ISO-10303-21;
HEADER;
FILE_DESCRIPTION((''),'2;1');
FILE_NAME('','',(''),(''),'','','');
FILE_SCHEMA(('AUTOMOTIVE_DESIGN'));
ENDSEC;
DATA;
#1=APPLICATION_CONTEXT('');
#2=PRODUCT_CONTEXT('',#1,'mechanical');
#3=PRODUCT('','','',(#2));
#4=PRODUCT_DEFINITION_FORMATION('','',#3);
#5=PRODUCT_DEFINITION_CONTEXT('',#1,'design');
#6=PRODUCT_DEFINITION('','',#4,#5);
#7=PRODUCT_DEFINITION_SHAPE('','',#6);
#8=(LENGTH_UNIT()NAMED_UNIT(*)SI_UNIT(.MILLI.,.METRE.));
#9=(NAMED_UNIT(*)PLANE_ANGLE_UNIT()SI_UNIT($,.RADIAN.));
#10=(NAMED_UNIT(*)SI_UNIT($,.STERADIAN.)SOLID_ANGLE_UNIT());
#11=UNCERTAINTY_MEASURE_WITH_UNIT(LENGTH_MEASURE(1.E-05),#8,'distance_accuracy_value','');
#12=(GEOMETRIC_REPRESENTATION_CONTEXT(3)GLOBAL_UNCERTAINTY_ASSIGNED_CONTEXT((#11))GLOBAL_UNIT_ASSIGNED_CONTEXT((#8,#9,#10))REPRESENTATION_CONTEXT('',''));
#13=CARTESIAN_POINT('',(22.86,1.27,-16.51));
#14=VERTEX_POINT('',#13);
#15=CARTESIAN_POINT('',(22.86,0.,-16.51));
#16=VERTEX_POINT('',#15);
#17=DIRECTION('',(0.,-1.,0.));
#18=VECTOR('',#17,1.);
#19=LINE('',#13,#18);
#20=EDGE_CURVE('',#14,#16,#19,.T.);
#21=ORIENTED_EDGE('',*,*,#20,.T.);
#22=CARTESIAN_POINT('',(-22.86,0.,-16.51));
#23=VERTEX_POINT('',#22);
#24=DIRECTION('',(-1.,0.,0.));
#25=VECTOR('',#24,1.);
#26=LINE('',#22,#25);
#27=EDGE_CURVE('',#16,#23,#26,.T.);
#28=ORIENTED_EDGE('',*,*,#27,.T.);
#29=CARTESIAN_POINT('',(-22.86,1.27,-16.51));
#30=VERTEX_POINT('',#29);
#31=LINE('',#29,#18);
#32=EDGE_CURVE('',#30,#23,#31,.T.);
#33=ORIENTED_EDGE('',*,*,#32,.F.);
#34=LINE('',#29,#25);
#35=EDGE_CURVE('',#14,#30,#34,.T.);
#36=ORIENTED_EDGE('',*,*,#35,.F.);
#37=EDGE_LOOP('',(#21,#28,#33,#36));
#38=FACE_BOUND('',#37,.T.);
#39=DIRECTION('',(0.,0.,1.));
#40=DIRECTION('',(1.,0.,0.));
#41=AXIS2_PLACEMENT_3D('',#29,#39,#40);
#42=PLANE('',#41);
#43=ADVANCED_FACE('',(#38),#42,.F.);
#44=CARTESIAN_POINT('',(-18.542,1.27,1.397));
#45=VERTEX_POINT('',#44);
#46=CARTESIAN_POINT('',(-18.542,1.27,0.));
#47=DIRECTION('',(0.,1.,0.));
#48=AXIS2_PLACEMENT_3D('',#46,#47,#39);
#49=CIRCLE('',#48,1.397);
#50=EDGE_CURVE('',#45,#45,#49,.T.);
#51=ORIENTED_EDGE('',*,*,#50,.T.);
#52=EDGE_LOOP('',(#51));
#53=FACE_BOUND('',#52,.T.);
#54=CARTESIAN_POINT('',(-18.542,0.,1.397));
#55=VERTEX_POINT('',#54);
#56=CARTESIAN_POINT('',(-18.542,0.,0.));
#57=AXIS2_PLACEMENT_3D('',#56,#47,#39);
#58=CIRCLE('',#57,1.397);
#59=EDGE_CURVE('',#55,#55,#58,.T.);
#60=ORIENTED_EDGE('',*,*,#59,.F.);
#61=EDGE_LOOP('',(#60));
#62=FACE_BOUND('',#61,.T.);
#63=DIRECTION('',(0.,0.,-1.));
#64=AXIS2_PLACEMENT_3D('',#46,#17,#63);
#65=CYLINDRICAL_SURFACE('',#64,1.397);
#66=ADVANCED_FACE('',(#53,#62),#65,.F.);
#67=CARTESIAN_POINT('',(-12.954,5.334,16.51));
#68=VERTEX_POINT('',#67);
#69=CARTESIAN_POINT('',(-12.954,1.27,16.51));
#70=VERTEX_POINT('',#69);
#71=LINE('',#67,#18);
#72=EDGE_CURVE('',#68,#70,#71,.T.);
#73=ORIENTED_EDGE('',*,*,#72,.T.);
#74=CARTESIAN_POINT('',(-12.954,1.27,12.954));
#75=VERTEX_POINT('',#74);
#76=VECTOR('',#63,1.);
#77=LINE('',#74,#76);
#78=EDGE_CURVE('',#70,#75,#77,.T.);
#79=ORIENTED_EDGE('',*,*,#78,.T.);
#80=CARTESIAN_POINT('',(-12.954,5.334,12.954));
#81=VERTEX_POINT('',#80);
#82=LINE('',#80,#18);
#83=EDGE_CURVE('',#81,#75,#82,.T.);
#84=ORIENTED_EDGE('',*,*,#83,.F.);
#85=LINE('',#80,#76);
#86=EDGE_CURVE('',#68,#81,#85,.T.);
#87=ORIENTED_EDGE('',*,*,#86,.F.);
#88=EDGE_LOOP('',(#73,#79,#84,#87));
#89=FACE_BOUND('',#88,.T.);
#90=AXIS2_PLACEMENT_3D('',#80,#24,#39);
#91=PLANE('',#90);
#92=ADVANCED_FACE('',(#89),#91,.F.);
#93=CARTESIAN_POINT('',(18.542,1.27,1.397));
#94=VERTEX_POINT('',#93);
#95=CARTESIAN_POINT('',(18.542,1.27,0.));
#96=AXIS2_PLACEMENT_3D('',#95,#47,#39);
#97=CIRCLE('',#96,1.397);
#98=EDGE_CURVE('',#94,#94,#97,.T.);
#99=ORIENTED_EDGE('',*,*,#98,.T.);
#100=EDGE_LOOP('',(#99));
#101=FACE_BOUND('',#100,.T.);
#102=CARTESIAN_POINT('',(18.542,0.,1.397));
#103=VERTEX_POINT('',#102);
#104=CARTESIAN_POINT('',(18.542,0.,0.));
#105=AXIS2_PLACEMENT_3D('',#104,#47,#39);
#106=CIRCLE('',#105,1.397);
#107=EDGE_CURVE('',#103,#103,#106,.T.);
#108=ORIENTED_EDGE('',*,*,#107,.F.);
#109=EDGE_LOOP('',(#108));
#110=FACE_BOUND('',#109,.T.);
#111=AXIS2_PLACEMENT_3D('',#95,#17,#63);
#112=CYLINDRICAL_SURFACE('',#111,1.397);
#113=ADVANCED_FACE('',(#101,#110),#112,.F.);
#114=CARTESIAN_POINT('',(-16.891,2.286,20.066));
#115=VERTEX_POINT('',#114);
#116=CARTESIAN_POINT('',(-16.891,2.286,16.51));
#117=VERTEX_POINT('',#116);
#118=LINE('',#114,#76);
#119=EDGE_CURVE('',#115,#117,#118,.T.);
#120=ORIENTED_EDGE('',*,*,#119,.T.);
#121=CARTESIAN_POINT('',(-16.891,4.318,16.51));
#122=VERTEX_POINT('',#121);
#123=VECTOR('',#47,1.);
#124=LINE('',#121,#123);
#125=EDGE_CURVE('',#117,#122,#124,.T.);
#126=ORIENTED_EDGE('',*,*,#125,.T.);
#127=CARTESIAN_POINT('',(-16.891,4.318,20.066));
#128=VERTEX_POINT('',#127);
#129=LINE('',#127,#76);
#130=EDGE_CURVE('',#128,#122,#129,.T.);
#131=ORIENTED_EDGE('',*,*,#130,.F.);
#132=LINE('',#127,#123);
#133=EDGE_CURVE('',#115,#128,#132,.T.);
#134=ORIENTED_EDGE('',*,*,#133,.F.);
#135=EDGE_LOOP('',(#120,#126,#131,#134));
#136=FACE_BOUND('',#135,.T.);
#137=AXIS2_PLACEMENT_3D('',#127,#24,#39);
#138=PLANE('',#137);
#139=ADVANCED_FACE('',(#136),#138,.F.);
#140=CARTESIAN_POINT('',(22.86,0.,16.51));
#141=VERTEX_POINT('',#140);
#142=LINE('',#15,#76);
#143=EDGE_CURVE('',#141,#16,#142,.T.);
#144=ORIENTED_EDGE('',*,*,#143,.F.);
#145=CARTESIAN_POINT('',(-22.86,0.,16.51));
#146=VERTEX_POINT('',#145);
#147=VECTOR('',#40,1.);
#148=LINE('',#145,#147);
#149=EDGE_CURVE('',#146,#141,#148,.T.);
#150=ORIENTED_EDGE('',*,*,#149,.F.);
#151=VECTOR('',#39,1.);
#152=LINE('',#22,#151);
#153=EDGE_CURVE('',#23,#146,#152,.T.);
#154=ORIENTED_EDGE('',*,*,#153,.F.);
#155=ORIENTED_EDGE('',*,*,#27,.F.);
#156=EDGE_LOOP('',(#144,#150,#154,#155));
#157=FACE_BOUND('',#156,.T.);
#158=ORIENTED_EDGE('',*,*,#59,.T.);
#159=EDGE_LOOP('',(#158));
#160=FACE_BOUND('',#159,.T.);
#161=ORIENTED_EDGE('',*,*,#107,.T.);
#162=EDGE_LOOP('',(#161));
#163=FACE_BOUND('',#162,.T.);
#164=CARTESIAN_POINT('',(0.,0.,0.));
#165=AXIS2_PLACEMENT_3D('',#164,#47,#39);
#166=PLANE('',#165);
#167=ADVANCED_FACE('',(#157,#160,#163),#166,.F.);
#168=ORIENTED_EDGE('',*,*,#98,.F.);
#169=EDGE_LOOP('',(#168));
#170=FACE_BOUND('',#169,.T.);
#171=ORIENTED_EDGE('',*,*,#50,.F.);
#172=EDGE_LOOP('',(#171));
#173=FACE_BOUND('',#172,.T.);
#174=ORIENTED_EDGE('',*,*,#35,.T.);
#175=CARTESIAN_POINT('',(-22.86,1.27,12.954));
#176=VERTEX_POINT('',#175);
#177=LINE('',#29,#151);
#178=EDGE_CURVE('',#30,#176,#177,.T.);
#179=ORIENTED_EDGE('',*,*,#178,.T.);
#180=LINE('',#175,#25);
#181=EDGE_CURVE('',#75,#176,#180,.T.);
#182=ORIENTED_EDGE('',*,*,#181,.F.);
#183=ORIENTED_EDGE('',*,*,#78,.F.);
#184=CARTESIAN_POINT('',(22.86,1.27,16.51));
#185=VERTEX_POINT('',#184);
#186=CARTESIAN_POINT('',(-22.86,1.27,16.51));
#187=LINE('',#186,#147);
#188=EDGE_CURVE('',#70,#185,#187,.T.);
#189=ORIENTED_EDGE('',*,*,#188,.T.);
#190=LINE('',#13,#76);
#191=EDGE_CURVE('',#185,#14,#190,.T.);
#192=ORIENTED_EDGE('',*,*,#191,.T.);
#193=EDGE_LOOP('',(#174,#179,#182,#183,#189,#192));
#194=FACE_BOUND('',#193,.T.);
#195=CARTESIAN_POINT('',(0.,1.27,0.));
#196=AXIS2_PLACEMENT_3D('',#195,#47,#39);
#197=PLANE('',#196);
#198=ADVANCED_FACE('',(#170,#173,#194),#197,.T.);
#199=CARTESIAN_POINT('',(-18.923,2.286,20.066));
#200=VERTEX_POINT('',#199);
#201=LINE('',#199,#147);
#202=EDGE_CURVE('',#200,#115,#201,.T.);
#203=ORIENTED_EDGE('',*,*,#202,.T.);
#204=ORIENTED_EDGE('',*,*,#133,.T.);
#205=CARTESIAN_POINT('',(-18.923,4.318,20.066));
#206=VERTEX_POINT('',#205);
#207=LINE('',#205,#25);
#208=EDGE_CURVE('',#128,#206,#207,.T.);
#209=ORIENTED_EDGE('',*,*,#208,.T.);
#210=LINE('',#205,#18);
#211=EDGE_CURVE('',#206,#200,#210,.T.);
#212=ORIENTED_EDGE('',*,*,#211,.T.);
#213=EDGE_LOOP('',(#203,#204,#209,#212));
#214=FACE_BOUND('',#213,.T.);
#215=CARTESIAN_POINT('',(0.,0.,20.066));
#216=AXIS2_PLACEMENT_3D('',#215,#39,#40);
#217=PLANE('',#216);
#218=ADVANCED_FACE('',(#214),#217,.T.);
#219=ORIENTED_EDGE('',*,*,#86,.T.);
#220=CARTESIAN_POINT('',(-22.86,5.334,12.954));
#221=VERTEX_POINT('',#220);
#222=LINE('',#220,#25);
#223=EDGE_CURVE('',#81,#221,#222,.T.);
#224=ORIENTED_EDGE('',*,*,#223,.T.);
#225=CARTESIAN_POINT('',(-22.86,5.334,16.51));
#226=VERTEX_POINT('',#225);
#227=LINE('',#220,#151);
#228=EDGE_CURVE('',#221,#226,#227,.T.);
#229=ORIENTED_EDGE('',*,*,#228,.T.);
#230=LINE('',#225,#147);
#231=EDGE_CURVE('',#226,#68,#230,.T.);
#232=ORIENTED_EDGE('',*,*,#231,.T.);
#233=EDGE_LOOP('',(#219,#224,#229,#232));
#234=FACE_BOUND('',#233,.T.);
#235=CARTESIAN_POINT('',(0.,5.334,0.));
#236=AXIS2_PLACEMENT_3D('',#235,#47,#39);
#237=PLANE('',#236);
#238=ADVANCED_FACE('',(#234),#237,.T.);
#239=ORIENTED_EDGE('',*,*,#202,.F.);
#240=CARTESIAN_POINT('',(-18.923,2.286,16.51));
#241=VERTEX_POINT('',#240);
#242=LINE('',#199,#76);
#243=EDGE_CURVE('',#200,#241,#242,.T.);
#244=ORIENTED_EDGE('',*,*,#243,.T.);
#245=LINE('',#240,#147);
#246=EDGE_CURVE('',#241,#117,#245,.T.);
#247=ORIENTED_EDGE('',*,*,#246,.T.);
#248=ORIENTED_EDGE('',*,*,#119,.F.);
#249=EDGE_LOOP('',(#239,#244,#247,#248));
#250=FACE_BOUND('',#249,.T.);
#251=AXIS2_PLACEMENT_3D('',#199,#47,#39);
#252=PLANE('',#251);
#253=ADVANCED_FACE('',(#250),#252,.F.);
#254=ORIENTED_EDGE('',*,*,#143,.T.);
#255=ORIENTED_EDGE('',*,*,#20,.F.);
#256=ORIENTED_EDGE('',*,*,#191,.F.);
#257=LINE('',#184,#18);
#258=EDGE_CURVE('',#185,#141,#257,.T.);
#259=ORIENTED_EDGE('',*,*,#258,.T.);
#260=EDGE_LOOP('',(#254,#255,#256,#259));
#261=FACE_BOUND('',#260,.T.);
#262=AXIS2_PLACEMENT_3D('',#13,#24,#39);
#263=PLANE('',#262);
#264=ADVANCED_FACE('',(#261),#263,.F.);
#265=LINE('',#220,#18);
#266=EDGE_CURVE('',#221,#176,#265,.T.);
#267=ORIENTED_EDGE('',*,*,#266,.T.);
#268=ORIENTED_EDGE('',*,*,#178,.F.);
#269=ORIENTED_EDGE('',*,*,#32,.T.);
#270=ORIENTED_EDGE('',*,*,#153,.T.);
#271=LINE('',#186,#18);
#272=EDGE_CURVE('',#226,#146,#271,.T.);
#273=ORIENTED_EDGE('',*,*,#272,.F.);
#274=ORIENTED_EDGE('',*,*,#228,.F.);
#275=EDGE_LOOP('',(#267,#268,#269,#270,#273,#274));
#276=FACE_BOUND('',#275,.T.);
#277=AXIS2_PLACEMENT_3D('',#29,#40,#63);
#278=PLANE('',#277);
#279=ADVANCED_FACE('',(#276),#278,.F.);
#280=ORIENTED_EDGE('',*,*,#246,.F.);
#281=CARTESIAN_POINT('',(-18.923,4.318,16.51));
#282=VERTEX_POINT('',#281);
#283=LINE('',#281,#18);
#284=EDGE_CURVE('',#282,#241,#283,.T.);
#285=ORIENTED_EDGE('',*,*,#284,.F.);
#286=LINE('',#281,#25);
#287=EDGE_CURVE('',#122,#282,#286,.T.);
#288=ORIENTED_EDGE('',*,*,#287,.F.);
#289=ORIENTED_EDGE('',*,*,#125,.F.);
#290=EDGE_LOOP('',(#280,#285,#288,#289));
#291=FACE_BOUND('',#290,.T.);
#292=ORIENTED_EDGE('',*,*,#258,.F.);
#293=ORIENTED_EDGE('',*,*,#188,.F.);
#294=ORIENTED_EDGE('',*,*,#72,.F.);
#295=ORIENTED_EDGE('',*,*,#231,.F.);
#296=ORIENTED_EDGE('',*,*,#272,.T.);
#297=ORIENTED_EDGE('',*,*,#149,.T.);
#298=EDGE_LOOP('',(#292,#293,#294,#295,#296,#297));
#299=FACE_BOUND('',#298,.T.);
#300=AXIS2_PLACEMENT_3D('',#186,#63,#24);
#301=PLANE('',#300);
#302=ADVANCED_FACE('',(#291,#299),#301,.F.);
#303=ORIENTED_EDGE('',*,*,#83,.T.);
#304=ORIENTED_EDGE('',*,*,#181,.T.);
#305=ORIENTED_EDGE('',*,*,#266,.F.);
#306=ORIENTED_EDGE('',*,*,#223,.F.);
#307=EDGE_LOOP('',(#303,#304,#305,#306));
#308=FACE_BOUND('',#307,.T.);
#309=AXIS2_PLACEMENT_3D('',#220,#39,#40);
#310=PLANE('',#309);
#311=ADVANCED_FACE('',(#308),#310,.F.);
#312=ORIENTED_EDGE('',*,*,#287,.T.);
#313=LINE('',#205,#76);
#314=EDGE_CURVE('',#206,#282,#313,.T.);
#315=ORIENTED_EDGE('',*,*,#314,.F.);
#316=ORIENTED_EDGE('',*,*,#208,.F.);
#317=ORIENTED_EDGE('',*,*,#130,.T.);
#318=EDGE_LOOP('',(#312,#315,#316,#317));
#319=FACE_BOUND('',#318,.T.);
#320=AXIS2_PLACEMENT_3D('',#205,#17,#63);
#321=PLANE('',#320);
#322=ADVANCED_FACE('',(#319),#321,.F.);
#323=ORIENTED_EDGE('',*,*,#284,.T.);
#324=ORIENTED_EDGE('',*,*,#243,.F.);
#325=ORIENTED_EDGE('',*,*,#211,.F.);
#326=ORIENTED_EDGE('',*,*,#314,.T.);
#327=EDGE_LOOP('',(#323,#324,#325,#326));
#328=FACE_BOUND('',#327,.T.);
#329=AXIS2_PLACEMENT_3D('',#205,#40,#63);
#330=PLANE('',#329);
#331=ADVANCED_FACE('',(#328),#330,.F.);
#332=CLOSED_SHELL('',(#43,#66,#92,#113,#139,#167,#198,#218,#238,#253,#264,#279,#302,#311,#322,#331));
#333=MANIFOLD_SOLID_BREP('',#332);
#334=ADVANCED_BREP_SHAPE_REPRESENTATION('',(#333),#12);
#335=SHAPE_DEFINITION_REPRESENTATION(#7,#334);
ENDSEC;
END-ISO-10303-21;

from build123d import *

# Parameters (mm, degrees)
SKETCH1_W           = 45.72
SKETCH1_H           = 33.02
SKETCH1_R           = 1.397
BOSS_EXTRUDE1_DEPTH = 1.27
SKETCH3_W           = 9.906
SKETCH3_H           = 3.556
BOSS_EXTRUDE2_DEPTH = 4.064
SKETCH4_W           = 2.032
SKETCH4_H           = 2.032
BOSS_EXTRUDE3_DEPTH = 3.556


with BuildPart() as part:
    # Sketch1 → Boss-Extrude1 (new body)
    with BuildSketch(Plane(origin=(0, 0, 0), x_dir=(1, 0, 0), z_dir=(0, 1, 0))):
        Rectangle(SKETCH1_W, SKETCH1_H)
        with Locations(Location((-18.542, 0, 0), (0, 0, 270))):
            Circle(SKETCH1_R, mode=Mode.SUBTRACT)
        with Locations(Location((18.542, 0, 0), (0, 0, 270))):
            Circle(SKETCH1_R, mode=Mode.SUBTRACT)
    extrude(amount=BOSS_EXTRUDE1_DEPTH)

    # Sketch3 → Boss-Extrude2 (add)
    with BuildSketch(Plane(origin=(0, 1.27, 0), x_dir=(1, 0, 0), z_dir=(0, 1, 0))):
        with Locations((-17.907, -14.732)):
            Rectangle(SKETCH3_W, SKETCH3_H)
    extrude(amount=BOSS_EXTRUDE2_DEPTH)

    # Sketch4 → Boss-Extrude3 (add)
    with BuildSketch(Plane.XY.offset(16.51)):
        with Locations((-17.907, 3.302)):
            Rectangle(SKETCH4_W, SKETCH4_H)
    extrude(amount=BOSS_EXTRUDE3_DEPTH)


solid = part.part
